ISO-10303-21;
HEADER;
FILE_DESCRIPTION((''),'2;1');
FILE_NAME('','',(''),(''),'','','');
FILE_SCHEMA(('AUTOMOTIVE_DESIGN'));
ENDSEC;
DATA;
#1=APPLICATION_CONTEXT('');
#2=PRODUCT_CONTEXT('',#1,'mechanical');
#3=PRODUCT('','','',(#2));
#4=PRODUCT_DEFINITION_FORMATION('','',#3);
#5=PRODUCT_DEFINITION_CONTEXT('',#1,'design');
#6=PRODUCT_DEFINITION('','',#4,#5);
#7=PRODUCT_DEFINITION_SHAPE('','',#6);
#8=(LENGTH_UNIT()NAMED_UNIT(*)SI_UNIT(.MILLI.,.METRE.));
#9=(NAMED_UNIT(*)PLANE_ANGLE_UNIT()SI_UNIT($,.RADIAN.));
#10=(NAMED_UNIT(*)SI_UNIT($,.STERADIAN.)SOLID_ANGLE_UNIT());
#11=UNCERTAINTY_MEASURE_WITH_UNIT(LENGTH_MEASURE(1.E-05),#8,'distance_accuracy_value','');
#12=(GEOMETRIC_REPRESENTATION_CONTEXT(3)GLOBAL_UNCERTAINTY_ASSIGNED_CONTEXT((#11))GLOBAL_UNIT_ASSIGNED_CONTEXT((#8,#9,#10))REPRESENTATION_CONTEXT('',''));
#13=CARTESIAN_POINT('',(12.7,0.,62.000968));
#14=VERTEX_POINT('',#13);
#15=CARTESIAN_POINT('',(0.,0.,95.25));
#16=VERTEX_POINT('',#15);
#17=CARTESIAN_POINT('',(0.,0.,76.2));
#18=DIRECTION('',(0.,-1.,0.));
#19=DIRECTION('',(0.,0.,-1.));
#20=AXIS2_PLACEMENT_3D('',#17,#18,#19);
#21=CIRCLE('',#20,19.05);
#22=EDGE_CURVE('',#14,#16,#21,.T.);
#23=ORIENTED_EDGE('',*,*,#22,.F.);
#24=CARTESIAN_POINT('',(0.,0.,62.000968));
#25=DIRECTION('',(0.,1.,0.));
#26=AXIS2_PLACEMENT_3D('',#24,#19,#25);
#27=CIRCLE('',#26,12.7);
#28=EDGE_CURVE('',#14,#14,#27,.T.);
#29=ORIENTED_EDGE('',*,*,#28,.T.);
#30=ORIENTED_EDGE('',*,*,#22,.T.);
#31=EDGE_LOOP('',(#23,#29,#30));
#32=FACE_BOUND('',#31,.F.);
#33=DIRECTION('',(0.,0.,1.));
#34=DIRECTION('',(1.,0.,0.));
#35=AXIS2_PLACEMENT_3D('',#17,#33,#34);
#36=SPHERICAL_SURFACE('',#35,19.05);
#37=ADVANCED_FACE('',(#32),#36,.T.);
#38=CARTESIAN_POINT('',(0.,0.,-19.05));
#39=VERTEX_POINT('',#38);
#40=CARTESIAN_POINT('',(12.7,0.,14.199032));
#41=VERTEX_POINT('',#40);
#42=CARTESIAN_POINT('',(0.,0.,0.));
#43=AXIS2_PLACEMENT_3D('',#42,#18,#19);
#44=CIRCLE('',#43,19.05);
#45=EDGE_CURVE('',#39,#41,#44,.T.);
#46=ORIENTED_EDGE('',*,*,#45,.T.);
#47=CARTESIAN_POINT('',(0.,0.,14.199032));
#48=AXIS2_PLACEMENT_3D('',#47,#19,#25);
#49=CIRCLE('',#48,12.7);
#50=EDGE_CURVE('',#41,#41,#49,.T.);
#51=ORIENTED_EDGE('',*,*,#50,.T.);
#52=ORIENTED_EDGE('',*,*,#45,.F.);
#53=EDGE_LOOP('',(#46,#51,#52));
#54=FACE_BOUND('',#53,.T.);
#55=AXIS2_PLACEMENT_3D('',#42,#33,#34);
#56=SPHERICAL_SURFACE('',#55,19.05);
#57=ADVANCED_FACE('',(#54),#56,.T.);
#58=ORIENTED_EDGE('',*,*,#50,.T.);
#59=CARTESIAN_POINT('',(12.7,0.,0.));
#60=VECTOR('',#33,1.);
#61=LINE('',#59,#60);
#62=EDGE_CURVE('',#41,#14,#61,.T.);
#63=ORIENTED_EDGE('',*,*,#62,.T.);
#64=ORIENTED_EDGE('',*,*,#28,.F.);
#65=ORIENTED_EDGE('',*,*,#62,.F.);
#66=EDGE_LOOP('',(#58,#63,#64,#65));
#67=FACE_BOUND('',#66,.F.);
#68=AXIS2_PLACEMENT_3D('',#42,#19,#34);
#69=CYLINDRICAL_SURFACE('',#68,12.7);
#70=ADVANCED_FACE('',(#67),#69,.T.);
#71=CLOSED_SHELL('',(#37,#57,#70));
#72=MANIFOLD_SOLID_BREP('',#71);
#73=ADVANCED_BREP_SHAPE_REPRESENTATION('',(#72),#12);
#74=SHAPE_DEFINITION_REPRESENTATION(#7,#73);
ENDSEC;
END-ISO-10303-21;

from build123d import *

# Parameters (mm, degrees)
F0_R     = 12.7
F1_DEPTH = 76.2


with BuildPart() as f1:
    # F0 (on Top) → F1 (new body)
    with BuildSketch(Plane.XY):
        Circle(F0_R)
    extrude(amount=F1_DEPTH)

    # F2 (on Front) → F3 (revolve)
    with BuildSketch(Plane.XZ):
        with BuildLine():
            ThreePointArc((0, 57.15), (19.05, 76.2), (0, 95.25))
            Line((0, 95.25), (0, 76.2))
            Line((0, 76.2), (0, 57.15))
        make_face()
    revolve(axis=Axis((0, 0, 85.725), (0, 0, -1)))

    # F4 (on Front) → F5 (revolve)
    with BuildSketch(Plane.XZ):
        with BuildLine():
            Line((0, 0), (0, -19.05))
            ThreePointArc((0, -19.05), (19.05, 0), (0, 19.05))
            Line((0, 19.05), (0, 0))
        make_face()
    revolve(axis=Axis((0, 0, -9.525), (0, 0, 1)))


solid = f1.part
